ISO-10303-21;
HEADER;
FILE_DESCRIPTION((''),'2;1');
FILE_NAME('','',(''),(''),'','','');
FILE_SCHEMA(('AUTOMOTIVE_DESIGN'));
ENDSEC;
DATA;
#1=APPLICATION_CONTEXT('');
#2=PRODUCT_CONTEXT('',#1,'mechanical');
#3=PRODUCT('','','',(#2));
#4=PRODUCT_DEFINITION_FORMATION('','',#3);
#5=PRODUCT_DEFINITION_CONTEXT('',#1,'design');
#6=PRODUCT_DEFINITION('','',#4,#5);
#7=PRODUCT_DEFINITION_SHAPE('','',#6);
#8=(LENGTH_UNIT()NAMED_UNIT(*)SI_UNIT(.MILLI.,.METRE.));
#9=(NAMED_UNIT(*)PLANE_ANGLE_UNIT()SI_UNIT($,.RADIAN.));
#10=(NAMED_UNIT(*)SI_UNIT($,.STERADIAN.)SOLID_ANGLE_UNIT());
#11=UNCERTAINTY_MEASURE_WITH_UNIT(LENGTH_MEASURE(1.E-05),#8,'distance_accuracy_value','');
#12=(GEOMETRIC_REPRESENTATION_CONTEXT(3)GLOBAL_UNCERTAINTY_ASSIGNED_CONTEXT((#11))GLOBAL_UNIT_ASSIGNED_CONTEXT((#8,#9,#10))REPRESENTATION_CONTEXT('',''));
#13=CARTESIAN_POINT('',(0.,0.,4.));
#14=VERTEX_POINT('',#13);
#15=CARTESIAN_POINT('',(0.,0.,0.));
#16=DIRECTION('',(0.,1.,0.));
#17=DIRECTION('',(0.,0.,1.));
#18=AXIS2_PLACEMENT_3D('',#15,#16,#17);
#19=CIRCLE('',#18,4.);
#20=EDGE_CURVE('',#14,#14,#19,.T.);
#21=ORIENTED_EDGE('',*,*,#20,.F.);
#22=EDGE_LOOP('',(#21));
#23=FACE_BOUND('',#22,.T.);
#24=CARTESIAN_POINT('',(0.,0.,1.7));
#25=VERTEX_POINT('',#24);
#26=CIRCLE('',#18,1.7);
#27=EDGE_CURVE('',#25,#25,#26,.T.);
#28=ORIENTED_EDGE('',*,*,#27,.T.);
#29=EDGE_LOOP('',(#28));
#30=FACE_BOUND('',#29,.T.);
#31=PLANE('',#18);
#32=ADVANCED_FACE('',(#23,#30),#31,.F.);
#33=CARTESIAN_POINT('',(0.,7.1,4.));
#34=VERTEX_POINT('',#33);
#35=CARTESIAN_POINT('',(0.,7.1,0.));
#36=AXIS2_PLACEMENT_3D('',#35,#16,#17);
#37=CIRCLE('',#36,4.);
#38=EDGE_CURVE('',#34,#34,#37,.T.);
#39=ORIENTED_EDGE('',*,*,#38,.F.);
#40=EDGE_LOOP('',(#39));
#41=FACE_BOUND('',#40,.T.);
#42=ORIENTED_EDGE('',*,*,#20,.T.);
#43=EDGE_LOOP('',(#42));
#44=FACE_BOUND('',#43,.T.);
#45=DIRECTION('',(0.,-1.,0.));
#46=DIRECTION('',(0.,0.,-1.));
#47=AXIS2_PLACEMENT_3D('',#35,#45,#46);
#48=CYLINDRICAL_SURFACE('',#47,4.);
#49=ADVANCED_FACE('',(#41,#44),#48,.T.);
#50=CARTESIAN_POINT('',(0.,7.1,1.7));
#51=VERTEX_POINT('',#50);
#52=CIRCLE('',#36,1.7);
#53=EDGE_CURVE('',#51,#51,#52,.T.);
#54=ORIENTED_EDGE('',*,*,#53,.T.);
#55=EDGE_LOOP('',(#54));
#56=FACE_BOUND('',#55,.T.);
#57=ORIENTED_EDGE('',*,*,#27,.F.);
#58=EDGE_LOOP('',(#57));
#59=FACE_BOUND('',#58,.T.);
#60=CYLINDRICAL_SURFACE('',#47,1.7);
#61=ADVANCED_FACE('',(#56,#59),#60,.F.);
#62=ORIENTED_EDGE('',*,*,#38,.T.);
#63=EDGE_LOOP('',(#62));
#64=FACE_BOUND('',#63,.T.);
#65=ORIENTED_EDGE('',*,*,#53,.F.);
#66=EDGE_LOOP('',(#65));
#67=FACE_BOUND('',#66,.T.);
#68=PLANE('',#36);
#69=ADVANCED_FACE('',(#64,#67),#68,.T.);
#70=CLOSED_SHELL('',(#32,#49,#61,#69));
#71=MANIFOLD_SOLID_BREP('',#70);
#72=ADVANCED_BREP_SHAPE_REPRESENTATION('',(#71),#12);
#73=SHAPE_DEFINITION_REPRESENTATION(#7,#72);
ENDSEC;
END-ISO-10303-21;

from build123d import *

# Parameters (mm, degrees)
SKETCH1_R           = 4
SKETCH1_R_2         = 1.7
BOSS_EXTRUDE1_DEPTH = 7.1


with BuildPart() as part:
    # Sketch1 → Boss-Extrude1 (new body)
    with BuildSketch(Plane(origin=(0, 0, 0), x_dir=(1, 0, 0), z_dir=(0, 1, 0))):
        Circle(SKETCH1_R)
        Circle(SKETCH1_R_2, mode=Mode.SUBTRACT)
    extrude(amount=BOSS_EXTRUDE1_DEPTH)


solid = part.part
